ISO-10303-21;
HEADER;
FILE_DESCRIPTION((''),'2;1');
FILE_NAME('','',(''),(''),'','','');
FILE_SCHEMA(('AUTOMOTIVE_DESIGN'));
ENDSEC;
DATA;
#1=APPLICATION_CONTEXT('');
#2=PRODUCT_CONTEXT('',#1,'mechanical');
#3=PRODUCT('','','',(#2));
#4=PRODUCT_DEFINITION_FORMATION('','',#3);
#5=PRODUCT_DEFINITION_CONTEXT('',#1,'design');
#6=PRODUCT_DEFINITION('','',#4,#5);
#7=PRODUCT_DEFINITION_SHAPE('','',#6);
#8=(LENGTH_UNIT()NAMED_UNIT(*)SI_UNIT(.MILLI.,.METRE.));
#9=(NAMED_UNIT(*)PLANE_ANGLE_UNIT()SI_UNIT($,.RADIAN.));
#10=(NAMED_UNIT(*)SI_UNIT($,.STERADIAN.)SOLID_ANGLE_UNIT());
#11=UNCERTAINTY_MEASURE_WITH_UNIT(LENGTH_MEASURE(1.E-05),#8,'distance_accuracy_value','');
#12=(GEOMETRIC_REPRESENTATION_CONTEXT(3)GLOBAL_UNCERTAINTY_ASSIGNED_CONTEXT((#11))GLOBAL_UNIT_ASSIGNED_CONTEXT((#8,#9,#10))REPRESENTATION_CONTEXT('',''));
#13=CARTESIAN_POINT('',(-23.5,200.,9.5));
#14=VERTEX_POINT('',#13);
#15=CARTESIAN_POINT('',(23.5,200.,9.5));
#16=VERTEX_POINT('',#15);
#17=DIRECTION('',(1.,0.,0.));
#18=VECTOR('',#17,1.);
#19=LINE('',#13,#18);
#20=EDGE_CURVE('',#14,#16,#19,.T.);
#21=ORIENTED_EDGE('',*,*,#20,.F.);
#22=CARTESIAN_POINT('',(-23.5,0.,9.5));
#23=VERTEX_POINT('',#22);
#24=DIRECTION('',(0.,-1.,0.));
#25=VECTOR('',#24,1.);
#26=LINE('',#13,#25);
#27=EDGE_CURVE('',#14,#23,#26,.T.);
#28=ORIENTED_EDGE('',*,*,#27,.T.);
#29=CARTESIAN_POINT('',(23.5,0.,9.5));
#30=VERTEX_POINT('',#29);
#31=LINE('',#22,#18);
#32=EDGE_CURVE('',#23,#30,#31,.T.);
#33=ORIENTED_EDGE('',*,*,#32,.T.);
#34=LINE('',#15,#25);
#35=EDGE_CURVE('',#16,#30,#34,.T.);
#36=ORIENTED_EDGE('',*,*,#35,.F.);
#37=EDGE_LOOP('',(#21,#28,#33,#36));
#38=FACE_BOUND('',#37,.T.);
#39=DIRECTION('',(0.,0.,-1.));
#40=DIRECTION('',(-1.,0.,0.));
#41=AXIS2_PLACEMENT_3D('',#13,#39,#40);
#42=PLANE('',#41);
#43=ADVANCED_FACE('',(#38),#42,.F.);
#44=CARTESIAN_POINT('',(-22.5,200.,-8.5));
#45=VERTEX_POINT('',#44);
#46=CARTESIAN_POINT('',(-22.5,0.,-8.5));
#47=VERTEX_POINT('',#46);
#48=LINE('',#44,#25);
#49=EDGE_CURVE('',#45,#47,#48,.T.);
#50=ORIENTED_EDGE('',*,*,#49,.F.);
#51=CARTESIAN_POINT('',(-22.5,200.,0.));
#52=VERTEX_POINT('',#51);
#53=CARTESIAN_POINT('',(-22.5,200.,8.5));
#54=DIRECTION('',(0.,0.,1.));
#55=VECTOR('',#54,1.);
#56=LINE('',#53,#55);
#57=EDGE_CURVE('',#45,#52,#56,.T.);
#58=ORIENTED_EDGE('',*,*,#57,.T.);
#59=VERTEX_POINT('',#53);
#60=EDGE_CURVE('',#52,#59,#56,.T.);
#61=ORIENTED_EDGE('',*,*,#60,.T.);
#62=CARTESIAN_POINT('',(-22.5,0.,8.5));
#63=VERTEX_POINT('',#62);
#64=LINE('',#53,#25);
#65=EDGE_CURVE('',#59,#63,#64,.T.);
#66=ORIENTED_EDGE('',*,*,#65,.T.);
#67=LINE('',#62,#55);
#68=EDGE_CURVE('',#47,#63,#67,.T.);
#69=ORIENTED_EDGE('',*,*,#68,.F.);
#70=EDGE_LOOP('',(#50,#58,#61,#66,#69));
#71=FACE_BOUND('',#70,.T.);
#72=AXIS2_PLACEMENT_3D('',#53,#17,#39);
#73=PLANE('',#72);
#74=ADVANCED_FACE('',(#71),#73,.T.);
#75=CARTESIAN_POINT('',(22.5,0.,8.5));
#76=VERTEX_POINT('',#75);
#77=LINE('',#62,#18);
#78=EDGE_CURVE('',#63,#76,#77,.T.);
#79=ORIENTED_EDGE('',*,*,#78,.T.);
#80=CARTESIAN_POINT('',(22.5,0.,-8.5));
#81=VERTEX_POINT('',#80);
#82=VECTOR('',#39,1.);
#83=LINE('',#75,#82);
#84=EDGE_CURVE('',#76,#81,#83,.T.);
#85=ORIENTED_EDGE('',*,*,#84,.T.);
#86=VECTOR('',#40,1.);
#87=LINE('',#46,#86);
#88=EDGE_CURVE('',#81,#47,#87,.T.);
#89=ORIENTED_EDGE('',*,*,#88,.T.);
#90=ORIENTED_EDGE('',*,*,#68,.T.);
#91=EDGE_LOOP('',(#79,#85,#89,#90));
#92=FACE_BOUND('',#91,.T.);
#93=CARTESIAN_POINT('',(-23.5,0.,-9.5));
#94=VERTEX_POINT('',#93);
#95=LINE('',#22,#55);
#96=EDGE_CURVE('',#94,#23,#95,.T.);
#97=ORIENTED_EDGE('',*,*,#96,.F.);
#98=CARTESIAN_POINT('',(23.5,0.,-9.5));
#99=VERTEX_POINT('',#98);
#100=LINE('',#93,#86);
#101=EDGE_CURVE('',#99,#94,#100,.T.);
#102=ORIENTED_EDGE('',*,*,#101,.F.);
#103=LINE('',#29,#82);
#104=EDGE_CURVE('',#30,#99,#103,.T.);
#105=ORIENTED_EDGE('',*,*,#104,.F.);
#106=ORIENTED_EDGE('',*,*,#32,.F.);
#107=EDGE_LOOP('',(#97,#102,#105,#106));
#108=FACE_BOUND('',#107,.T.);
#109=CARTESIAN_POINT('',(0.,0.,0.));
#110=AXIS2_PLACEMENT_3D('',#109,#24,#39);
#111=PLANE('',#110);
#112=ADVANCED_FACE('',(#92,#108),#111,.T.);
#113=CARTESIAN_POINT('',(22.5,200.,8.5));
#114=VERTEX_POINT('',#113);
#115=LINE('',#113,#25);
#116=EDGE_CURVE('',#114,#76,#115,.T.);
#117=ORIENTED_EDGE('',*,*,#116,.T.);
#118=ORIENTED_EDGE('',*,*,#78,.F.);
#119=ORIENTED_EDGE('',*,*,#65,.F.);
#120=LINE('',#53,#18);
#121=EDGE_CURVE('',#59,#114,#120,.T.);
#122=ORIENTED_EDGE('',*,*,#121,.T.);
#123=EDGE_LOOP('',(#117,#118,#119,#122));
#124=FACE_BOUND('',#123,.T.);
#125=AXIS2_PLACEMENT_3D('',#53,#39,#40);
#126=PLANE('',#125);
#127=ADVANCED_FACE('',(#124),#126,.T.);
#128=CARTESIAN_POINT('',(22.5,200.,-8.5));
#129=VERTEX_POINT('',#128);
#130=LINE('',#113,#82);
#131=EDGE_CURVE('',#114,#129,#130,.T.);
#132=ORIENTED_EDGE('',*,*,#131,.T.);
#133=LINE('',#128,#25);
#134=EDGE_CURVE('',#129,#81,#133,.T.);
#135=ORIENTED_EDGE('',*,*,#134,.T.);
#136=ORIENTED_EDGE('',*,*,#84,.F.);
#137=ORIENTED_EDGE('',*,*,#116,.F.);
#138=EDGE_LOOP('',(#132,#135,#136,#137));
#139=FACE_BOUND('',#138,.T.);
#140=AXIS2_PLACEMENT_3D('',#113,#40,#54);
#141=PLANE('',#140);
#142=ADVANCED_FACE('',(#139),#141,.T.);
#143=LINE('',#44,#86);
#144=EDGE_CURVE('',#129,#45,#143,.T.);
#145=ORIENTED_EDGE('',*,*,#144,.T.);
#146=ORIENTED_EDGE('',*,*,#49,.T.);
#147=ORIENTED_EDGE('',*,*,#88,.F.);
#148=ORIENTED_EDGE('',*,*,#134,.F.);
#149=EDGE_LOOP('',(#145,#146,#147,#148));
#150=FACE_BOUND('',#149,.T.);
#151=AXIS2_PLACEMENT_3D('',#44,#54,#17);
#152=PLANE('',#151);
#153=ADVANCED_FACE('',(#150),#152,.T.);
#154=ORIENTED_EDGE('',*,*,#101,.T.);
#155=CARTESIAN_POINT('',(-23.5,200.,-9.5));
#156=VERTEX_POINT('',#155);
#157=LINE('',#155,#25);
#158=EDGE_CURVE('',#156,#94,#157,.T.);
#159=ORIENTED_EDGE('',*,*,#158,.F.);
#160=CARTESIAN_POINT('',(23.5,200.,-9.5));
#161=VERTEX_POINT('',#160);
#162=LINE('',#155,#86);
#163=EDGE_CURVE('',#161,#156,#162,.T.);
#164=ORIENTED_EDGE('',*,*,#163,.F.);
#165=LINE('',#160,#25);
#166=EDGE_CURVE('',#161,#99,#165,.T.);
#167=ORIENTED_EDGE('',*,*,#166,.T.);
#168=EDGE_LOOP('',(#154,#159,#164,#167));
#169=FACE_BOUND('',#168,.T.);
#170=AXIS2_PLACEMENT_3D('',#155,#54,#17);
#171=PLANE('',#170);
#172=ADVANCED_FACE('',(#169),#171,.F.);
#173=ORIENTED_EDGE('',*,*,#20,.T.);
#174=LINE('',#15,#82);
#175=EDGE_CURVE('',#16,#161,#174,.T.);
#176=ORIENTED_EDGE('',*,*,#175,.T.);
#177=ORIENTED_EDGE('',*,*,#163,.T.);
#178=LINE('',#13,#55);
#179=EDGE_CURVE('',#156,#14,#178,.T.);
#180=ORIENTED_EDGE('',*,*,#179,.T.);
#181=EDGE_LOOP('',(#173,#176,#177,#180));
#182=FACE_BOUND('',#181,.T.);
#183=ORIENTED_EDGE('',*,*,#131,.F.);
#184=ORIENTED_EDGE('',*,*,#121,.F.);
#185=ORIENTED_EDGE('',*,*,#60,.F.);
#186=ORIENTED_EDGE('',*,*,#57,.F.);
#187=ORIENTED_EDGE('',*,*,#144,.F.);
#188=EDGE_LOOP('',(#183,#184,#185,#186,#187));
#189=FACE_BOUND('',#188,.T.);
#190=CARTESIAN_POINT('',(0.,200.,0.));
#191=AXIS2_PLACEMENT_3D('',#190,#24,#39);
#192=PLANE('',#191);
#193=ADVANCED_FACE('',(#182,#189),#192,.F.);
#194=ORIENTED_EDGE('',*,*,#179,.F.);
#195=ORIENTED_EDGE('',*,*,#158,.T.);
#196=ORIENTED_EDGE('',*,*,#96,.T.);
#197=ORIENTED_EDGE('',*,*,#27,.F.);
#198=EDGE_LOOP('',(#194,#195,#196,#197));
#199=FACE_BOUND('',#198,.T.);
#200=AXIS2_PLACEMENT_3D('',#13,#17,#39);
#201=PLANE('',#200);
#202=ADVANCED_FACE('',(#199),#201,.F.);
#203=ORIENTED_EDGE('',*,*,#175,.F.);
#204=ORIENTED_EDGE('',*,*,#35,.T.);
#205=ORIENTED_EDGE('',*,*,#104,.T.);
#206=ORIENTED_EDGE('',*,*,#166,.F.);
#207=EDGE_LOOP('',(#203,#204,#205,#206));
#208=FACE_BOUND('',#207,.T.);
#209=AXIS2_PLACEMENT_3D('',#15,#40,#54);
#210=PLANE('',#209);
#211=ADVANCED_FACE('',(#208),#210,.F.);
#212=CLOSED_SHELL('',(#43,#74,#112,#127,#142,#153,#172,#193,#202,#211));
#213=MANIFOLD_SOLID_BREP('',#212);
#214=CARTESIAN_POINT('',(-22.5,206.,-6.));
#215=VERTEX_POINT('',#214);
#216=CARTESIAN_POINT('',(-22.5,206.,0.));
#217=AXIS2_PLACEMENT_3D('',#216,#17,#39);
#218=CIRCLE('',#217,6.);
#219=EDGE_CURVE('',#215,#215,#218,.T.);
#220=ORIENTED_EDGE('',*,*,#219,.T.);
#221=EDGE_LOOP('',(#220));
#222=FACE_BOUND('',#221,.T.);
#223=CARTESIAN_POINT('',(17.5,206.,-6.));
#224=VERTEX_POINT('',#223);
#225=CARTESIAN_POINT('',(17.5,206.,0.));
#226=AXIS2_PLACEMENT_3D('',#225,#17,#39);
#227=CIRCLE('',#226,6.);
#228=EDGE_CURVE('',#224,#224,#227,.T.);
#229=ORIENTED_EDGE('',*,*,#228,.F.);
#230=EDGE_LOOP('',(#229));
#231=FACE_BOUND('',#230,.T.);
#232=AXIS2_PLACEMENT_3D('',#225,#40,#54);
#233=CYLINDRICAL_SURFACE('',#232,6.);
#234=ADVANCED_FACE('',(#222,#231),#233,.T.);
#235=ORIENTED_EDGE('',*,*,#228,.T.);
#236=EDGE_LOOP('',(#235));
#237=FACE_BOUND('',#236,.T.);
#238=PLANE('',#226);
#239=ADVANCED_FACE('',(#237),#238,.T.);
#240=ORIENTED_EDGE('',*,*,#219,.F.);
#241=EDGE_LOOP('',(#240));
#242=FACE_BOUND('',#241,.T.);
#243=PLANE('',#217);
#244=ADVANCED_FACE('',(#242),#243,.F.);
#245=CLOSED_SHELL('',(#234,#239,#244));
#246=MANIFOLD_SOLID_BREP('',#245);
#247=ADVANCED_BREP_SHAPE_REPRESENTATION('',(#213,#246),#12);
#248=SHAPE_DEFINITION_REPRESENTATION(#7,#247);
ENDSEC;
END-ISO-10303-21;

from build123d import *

# Parameters (mm, degrees)
SKETCH_1_W      = 47
SKETCH_1_H      = 19
SKETCH_1_W_2    = 45
SKETCH_1_H_2    = 17
EXTRUDE_1_DEPTH = 200
SKETCH_2_R      = 6
EXTRUDE_2_DEPTH = 40


with BuildPart() as part:
    # 草图1 → 凸台-拉伸1 (new body)
    with BuildSketch(Plane(origin=(0, 0, 0), x_dir=(1, 0, 0), z_dir=(0, 1, 0))):
        Rectangle(SKETCH_1_W, SKETCH_1_H)
        Rectangle(SKETCH_1_W_2, SKETCH_1_H_2, mode=Mode.SUBTRACT)
    extrude(amount=EXTRUDE_1_DEPTH)


with BuildPart() as body_2:
    # 草图2 → 凸台-拉伸2 (new body)
    with BuildSketch(Plane(origin=(-22.5, 0, 0), x_dir=(0, 0, -1), z_dir=(1, 0, 0))):
        with Locations((0, 206)):
            Circle(SKETCH_2_R)
    extrude(amount=EXTRUDE_2_DEPTH)


solid = Compound([part.part, body_2.part])
